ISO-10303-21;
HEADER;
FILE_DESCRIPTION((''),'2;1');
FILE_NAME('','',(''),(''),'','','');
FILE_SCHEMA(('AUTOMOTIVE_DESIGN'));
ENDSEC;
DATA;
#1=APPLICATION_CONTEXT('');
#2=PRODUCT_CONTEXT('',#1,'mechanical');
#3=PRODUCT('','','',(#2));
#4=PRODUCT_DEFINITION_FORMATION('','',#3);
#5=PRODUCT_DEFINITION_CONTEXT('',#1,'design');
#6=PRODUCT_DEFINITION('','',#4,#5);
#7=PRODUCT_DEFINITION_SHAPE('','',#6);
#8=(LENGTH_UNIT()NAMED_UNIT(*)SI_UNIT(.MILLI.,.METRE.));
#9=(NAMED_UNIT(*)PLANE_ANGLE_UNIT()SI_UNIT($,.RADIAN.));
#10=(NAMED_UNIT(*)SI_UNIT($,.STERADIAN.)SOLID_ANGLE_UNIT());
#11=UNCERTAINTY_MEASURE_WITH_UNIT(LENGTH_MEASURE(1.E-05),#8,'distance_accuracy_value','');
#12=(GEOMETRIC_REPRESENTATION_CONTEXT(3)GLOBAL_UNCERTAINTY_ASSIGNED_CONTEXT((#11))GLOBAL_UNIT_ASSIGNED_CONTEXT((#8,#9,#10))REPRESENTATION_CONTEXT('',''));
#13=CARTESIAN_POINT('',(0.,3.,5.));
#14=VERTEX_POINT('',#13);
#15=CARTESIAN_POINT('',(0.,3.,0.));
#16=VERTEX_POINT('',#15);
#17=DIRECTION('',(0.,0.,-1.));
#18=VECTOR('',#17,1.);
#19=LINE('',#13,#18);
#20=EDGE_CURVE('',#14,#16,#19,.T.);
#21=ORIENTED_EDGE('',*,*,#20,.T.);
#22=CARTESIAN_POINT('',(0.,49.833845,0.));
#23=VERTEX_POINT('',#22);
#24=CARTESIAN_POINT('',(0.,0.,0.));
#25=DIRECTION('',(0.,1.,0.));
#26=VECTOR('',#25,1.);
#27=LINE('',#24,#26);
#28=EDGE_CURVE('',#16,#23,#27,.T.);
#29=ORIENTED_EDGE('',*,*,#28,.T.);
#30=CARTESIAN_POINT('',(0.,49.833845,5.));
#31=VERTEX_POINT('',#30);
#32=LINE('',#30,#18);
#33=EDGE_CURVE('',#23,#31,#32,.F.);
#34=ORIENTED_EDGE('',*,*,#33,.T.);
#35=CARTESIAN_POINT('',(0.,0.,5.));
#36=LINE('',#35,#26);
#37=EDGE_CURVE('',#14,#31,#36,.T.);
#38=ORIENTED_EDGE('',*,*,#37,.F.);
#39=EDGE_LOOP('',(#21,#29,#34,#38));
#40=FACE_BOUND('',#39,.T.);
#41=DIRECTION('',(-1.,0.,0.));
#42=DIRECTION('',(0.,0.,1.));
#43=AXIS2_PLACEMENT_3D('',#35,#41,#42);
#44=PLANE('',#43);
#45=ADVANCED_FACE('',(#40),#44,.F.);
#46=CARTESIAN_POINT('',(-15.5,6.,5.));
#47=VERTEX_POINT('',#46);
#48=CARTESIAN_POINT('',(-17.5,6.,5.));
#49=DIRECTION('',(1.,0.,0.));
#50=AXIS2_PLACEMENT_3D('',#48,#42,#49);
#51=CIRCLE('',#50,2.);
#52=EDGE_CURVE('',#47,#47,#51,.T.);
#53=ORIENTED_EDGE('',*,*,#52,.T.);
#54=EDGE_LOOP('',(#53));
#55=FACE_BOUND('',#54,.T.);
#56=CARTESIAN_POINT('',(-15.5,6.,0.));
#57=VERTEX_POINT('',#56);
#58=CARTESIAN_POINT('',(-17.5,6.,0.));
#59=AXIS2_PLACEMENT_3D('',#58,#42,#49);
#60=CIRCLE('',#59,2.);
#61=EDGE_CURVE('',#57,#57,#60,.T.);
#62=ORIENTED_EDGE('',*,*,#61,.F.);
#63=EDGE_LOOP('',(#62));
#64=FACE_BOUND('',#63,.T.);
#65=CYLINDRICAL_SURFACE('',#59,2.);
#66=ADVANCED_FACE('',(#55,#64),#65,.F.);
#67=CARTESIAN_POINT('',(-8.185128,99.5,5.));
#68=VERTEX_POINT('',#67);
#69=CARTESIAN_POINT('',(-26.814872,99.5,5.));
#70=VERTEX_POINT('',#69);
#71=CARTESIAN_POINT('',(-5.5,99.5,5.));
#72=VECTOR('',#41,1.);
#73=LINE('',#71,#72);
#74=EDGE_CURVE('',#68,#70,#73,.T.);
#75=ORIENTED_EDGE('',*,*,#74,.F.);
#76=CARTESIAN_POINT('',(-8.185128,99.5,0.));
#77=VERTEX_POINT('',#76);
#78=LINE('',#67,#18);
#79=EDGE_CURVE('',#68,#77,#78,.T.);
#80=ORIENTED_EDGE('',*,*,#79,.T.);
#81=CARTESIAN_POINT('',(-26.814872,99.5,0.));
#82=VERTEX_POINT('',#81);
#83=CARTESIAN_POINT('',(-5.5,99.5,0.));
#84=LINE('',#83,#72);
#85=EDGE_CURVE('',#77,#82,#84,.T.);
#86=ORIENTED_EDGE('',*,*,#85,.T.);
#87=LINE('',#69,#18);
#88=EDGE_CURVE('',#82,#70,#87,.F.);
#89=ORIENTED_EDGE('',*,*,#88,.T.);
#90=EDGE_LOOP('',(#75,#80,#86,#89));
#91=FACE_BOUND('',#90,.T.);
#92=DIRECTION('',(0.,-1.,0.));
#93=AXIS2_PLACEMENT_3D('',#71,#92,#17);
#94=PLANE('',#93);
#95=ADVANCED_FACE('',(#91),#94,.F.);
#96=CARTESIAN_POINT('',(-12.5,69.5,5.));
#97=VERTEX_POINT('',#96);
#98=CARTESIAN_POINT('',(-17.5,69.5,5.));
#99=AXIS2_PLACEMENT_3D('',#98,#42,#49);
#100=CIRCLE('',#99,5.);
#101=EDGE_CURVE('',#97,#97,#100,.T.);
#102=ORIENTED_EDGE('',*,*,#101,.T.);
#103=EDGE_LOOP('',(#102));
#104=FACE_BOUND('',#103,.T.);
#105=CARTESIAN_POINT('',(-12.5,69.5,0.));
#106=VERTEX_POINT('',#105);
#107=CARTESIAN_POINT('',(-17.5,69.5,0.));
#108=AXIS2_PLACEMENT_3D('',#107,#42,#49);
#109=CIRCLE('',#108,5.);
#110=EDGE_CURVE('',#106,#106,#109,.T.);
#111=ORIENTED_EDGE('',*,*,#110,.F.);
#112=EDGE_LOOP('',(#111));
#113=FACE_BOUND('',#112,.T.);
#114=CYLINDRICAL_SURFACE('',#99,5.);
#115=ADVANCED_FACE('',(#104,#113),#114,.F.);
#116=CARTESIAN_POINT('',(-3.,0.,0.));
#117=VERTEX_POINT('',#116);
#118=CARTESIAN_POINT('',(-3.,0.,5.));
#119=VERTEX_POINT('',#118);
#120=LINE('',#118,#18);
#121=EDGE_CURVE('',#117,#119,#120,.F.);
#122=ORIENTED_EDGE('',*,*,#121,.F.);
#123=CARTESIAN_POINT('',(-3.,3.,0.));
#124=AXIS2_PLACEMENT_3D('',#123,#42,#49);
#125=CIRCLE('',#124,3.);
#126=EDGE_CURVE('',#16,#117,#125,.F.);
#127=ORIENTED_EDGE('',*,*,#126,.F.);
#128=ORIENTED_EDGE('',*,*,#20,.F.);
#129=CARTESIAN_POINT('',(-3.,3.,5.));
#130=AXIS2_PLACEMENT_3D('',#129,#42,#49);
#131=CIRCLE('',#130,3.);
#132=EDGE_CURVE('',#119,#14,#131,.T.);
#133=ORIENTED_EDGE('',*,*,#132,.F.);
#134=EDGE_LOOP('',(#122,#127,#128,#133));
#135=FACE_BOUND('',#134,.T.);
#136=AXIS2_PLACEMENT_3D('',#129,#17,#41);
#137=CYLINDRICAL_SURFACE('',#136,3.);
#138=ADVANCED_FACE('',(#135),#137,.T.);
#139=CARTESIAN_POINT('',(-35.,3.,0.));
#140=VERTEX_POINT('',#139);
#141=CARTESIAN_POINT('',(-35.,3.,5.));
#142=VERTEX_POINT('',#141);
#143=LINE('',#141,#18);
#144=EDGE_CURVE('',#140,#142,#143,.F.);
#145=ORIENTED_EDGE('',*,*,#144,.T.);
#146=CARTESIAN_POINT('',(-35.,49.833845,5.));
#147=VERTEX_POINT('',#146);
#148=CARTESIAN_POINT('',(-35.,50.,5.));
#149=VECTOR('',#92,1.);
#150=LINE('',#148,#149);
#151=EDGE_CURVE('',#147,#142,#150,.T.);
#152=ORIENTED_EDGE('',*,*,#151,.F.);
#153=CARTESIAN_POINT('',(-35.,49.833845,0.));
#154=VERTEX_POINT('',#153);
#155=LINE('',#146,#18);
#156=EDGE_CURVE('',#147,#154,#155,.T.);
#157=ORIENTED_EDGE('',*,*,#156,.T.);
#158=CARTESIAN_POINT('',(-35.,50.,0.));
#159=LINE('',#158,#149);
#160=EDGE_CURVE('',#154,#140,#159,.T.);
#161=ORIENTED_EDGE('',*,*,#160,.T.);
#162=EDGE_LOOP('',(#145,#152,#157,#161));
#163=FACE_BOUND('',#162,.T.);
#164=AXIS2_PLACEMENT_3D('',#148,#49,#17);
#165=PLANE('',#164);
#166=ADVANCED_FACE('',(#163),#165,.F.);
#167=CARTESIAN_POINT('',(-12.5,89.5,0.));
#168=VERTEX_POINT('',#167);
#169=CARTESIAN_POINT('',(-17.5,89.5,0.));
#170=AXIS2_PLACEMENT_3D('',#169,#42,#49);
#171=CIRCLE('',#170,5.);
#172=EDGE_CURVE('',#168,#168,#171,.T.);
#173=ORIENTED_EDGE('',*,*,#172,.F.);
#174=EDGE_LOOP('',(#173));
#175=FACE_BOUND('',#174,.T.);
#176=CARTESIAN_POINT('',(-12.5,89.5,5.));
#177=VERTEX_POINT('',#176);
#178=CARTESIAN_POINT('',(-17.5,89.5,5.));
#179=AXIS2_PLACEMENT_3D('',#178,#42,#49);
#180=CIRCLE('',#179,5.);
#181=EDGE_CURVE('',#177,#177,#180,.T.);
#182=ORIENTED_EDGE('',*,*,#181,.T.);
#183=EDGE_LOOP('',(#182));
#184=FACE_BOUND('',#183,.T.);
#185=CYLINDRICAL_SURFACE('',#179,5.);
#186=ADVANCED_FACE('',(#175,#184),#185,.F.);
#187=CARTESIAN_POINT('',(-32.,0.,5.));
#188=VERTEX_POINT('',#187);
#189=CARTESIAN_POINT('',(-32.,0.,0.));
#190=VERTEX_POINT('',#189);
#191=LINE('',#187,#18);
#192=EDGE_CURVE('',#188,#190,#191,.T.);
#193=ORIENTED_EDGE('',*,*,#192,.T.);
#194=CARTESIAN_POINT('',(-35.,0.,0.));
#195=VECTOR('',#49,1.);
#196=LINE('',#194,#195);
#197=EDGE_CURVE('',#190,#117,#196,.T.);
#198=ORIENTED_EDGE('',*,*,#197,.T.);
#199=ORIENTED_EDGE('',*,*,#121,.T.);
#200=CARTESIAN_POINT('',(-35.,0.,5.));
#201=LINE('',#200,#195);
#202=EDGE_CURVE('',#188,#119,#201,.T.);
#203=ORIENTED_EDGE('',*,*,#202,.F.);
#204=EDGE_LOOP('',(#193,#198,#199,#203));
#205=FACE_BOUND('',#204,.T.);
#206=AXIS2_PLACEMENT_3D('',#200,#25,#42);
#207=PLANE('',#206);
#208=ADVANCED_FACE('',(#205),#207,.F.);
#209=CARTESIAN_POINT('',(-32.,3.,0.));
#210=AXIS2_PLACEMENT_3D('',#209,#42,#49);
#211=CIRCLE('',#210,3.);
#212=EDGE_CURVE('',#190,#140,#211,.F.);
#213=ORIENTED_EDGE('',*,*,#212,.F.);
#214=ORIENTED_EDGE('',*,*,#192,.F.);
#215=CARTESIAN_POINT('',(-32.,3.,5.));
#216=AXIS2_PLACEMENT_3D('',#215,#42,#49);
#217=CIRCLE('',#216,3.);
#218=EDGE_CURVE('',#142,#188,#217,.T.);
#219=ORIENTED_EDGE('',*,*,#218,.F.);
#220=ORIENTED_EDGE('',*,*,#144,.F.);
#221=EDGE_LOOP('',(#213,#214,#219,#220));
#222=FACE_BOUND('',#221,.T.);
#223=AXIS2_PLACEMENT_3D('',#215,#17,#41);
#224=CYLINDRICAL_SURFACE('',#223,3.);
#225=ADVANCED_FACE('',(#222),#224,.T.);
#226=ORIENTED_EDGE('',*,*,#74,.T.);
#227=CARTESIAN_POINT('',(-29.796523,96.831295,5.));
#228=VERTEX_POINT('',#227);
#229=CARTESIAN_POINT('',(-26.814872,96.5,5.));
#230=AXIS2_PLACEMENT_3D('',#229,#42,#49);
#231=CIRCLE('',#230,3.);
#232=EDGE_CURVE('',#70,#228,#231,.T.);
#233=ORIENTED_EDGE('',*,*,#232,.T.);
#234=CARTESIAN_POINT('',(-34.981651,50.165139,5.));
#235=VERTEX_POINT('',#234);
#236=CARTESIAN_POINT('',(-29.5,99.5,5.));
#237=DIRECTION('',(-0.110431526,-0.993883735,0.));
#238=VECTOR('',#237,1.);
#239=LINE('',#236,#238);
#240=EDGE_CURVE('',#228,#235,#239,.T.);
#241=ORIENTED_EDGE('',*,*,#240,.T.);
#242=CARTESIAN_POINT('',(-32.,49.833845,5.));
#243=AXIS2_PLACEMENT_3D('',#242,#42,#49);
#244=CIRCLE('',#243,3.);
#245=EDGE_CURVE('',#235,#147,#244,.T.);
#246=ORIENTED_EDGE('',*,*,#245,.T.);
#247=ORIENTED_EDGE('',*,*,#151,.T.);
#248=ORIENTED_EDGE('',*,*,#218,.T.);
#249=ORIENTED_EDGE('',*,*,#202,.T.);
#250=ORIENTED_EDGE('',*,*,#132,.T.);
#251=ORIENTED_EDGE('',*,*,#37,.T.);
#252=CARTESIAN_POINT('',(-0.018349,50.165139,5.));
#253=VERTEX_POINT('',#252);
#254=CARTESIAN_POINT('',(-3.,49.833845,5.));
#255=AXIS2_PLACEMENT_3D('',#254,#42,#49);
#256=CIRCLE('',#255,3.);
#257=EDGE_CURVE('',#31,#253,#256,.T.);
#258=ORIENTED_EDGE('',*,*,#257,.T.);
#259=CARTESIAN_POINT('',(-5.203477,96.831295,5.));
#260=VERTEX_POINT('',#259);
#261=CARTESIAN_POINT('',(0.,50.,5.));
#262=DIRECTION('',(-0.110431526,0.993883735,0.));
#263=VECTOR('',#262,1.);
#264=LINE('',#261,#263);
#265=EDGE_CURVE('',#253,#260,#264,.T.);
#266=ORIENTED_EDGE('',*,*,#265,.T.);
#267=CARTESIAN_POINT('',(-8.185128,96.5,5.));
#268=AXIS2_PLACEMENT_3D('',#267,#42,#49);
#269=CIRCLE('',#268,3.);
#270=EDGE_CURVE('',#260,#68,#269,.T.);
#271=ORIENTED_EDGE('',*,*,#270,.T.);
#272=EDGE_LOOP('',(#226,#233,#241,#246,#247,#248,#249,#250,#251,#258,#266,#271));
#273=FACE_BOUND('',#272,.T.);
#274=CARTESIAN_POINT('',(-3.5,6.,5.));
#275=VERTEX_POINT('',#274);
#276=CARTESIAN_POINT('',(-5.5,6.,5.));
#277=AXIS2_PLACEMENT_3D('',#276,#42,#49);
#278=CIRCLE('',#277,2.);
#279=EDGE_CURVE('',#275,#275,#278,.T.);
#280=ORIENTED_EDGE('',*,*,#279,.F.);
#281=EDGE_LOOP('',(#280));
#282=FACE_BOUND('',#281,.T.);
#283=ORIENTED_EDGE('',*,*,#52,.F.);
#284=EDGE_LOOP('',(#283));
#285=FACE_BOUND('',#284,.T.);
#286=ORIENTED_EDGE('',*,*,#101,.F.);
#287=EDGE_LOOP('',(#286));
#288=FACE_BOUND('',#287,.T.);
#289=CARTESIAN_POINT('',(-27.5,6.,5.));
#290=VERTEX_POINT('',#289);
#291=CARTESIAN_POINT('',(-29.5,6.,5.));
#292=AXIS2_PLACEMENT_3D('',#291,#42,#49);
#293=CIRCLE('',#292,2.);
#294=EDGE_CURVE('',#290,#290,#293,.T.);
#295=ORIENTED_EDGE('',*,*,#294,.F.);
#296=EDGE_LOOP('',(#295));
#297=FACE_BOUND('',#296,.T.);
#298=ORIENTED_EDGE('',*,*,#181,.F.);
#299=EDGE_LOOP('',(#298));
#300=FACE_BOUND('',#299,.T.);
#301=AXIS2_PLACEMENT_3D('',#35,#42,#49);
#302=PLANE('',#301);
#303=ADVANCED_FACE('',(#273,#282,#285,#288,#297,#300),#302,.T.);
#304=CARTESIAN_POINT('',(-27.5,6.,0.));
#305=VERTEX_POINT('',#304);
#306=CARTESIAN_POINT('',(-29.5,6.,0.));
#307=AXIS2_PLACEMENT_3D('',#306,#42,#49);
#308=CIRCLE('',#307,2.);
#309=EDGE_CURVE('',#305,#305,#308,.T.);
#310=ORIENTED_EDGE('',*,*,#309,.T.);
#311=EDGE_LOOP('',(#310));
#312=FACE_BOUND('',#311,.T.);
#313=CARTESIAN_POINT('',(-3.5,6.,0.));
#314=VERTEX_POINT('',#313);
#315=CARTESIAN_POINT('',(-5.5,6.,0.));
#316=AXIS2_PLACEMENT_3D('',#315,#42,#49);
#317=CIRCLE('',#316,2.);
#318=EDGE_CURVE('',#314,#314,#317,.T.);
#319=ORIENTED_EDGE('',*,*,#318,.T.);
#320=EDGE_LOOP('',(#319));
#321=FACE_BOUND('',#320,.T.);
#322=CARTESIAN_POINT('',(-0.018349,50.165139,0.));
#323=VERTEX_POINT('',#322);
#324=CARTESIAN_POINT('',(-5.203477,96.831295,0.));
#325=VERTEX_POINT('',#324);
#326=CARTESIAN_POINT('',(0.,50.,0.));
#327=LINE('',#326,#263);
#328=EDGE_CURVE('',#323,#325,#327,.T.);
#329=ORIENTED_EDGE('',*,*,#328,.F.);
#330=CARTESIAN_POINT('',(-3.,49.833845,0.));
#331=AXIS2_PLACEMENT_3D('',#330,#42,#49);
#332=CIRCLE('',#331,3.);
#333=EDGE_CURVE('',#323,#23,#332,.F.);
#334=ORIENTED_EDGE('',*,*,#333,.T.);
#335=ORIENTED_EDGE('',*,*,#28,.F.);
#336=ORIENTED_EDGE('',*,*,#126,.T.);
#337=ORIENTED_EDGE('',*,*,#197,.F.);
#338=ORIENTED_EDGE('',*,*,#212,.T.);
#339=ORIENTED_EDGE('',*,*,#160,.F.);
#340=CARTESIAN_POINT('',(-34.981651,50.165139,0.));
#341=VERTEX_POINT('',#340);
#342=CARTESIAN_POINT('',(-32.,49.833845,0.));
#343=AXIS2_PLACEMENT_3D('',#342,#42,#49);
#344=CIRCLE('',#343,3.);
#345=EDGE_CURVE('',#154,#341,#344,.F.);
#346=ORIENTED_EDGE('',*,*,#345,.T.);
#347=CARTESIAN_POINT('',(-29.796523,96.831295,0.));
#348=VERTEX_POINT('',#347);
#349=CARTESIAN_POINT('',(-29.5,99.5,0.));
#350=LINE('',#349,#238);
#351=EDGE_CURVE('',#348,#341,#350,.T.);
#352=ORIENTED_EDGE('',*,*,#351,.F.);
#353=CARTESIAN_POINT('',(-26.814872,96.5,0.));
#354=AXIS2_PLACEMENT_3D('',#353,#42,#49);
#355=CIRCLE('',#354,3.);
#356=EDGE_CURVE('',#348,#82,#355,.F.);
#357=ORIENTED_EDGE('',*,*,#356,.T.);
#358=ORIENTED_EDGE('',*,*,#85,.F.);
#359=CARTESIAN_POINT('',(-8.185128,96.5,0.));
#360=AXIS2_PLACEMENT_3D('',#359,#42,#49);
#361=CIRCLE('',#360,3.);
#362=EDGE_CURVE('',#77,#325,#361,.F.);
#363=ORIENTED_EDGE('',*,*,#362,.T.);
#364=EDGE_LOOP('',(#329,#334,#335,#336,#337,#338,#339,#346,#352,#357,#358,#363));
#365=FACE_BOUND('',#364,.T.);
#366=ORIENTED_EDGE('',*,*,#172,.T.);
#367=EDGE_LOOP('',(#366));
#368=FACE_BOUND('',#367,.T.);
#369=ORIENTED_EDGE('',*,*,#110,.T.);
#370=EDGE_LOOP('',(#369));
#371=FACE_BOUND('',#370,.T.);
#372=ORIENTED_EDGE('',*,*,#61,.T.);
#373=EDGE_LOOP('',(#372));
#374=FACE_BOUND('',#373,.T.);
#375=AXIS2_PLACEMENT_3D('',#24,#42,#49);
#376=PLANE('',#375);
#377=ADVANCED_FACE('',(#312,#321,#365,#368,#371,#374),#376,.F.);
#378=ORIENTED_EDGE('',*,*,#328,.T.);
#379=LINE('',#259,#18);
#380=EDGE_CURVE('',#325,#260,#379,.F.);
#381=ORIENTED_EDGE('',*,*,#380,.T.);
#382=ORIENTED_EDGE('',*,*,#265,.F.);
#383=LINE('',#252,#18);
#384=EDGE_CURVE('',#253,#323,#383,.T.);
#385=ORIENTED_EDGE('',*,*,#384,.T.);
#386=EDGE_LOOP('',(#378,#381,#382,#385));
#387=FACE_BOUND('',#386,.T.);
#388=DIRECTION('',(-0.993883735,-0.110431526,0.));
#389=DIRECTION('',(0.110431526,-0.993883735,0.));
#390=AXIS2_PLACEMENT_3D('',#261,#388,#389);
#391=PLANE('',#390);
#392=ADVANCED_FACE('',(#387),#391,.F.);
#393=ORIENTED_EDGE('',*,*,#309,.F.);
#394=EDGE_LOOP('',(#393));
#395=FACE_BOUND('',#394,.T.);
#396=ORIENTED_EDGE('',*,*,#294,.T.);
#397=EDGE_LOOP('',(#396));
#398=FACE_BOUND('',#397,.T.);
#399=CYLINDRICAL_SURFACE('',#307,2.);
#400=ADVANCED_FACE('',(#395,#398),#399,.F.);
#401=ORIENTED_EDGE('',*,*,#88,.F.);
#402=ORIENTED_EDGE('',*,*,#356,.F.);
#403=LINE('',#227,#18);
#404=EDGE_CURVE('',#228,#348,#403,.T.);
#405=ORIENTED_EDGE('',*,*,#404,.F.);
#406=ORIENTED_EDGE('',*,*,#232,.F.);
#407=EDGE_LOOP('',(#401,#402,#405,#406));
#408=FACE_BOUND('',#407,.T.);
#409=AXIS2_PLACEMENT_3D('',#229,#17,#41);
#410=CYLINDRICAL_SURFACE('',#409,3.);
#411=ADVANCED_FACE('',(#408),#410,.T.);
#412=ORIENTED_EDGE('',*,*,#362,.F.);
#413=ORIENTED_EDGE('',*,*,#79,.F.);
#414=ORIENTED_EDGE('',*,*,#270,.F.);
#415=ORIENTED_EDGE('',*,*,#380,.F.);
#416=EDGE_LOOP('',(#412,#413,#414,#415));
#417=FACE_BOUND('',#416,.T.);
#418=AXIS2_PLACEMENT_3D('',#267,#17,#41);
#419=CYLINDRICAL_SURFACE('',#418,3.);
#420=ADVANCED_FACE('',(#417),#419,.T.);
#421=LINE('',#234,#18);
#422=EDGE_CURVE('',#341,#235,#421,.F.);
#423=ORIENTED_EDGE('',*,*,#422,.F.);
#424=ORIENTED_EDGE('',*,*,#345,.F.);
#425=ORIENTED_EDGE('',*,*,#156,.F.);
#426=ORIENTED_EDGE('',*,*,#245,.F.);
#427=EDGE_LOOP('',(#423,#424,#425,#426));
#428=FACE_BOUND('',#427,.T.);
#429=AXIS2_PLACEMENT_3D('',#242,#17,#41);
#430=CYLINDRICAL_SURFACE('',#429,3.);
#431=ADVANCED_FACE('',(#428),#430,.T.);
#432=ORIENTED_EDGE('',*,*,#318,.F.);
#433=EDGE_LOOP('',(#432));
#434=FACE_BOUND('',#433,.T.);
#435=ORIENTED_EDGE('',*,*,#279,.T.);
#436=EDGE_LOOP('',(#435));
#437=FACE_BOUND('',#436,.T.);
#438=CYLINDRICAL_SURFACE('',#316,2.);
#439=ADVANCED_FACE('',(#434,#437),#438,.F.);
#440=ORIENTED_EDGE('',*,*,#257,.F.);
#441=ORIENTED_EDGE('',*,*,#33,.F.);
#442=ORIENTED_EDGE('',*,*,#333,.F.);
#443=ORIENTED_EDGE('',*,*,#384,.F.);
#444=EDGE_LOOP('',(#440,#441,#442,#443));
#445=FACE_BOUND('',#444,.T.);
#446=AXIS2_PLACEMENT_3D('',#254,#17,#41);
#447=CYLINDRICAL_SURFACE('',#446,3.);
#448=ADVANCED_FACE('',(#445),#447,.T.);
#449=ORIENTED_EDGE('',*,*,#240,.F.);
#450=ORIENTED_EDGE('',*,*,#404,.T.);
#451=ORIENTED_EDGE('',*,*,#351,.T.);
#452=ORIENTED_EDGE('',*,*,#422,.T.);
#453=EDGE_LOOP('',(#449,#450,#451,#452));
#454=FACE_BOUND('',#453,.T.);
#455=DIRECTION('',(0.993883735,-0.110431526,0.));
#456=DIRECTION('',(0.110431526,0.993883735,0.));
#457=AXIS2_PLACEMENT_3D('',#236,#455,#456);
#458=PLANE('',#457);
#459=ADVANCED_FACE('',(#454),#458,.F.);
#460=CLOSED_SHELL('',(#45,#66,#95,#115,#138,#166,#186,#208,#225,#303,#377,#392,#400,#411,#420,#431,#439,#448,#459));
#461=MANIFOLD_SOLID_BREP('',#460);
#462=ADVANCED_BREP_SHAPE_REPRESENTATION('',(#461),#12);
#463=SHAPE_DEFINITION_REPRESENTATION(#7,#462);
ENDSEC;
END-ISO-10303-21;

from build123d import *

# Parameters (mm, degrees)
EXTRUDE_1_DEPTH         = 5
FILLET_1_R              = 3
SKETCH_2_R              = 2
SKETCH_2_R_2            = 4.5
CUT_EXTRUDE_1_DEPTH     = 106.594744187
HOLE_WIZARD_M10_5_D     = 10
HOLE_WIZARD_M10_5_DEPTH = 24.5


with BuildPart() as part:
    # 草图1 → 凸台-拉伸1 (new body)
    with BuildSketch(Plane.XY):
        Polygon((-35, 0), (0, 0), (0, 50), (-5.5, 99.5), (-29.5, 99.5), (-35, 50), align=None)
    extrude(amount=EXTRUDE_1_DEPTH)

    # 圆角1
    fillet_1_edges = [part.edges().sort_by_distance(p)[0] for p in [
        (-35, 50, 2.5),
        (-29.5, 99.5, 2.5),
        (-5.5, 99.5, 2.5),
        (0, 50, 2.5),
        (0, 0, 2.5),
        (-35, 0, 2.5),
    ]]
    fillet(fillet_1_edges, radius=FILLET_1_R)

    # 草图2 → 切除-拉伸1 (cut, through all)
    with BuildSketch(Plane.XY.offset(5)):
        with Locations((-29.5, 6)):
            Circle(SKETCH_2_R)
        with Locations((-17.5, 6)):
            Circle(SKETCH_2_R)
        with Locations((-5.5, 6)):
            Circle(SKETCH_2_R)
        with Locations((-17.5, 89.5)):
            Circle(SKETCH_2_R_2)
        with Locations((-17.5, 69.5)):
            Circle(SKETCH_2_R_2)
    extrude(amount=-CUT_EXTRUDE_1_DEPTH, mode=Mode.SUBTRACT)

    # M10 螺纹孔5
    with Locations(Plane.XY.offset(5)):
        with Locations((-17.5, 69.5), (-17.5, 89.5)):
            Hole(HOLE_WIZARD_M10_5_D / 2, depth=HOLE_WIZARD_M10_5_DEPTH)


solid = part.part
